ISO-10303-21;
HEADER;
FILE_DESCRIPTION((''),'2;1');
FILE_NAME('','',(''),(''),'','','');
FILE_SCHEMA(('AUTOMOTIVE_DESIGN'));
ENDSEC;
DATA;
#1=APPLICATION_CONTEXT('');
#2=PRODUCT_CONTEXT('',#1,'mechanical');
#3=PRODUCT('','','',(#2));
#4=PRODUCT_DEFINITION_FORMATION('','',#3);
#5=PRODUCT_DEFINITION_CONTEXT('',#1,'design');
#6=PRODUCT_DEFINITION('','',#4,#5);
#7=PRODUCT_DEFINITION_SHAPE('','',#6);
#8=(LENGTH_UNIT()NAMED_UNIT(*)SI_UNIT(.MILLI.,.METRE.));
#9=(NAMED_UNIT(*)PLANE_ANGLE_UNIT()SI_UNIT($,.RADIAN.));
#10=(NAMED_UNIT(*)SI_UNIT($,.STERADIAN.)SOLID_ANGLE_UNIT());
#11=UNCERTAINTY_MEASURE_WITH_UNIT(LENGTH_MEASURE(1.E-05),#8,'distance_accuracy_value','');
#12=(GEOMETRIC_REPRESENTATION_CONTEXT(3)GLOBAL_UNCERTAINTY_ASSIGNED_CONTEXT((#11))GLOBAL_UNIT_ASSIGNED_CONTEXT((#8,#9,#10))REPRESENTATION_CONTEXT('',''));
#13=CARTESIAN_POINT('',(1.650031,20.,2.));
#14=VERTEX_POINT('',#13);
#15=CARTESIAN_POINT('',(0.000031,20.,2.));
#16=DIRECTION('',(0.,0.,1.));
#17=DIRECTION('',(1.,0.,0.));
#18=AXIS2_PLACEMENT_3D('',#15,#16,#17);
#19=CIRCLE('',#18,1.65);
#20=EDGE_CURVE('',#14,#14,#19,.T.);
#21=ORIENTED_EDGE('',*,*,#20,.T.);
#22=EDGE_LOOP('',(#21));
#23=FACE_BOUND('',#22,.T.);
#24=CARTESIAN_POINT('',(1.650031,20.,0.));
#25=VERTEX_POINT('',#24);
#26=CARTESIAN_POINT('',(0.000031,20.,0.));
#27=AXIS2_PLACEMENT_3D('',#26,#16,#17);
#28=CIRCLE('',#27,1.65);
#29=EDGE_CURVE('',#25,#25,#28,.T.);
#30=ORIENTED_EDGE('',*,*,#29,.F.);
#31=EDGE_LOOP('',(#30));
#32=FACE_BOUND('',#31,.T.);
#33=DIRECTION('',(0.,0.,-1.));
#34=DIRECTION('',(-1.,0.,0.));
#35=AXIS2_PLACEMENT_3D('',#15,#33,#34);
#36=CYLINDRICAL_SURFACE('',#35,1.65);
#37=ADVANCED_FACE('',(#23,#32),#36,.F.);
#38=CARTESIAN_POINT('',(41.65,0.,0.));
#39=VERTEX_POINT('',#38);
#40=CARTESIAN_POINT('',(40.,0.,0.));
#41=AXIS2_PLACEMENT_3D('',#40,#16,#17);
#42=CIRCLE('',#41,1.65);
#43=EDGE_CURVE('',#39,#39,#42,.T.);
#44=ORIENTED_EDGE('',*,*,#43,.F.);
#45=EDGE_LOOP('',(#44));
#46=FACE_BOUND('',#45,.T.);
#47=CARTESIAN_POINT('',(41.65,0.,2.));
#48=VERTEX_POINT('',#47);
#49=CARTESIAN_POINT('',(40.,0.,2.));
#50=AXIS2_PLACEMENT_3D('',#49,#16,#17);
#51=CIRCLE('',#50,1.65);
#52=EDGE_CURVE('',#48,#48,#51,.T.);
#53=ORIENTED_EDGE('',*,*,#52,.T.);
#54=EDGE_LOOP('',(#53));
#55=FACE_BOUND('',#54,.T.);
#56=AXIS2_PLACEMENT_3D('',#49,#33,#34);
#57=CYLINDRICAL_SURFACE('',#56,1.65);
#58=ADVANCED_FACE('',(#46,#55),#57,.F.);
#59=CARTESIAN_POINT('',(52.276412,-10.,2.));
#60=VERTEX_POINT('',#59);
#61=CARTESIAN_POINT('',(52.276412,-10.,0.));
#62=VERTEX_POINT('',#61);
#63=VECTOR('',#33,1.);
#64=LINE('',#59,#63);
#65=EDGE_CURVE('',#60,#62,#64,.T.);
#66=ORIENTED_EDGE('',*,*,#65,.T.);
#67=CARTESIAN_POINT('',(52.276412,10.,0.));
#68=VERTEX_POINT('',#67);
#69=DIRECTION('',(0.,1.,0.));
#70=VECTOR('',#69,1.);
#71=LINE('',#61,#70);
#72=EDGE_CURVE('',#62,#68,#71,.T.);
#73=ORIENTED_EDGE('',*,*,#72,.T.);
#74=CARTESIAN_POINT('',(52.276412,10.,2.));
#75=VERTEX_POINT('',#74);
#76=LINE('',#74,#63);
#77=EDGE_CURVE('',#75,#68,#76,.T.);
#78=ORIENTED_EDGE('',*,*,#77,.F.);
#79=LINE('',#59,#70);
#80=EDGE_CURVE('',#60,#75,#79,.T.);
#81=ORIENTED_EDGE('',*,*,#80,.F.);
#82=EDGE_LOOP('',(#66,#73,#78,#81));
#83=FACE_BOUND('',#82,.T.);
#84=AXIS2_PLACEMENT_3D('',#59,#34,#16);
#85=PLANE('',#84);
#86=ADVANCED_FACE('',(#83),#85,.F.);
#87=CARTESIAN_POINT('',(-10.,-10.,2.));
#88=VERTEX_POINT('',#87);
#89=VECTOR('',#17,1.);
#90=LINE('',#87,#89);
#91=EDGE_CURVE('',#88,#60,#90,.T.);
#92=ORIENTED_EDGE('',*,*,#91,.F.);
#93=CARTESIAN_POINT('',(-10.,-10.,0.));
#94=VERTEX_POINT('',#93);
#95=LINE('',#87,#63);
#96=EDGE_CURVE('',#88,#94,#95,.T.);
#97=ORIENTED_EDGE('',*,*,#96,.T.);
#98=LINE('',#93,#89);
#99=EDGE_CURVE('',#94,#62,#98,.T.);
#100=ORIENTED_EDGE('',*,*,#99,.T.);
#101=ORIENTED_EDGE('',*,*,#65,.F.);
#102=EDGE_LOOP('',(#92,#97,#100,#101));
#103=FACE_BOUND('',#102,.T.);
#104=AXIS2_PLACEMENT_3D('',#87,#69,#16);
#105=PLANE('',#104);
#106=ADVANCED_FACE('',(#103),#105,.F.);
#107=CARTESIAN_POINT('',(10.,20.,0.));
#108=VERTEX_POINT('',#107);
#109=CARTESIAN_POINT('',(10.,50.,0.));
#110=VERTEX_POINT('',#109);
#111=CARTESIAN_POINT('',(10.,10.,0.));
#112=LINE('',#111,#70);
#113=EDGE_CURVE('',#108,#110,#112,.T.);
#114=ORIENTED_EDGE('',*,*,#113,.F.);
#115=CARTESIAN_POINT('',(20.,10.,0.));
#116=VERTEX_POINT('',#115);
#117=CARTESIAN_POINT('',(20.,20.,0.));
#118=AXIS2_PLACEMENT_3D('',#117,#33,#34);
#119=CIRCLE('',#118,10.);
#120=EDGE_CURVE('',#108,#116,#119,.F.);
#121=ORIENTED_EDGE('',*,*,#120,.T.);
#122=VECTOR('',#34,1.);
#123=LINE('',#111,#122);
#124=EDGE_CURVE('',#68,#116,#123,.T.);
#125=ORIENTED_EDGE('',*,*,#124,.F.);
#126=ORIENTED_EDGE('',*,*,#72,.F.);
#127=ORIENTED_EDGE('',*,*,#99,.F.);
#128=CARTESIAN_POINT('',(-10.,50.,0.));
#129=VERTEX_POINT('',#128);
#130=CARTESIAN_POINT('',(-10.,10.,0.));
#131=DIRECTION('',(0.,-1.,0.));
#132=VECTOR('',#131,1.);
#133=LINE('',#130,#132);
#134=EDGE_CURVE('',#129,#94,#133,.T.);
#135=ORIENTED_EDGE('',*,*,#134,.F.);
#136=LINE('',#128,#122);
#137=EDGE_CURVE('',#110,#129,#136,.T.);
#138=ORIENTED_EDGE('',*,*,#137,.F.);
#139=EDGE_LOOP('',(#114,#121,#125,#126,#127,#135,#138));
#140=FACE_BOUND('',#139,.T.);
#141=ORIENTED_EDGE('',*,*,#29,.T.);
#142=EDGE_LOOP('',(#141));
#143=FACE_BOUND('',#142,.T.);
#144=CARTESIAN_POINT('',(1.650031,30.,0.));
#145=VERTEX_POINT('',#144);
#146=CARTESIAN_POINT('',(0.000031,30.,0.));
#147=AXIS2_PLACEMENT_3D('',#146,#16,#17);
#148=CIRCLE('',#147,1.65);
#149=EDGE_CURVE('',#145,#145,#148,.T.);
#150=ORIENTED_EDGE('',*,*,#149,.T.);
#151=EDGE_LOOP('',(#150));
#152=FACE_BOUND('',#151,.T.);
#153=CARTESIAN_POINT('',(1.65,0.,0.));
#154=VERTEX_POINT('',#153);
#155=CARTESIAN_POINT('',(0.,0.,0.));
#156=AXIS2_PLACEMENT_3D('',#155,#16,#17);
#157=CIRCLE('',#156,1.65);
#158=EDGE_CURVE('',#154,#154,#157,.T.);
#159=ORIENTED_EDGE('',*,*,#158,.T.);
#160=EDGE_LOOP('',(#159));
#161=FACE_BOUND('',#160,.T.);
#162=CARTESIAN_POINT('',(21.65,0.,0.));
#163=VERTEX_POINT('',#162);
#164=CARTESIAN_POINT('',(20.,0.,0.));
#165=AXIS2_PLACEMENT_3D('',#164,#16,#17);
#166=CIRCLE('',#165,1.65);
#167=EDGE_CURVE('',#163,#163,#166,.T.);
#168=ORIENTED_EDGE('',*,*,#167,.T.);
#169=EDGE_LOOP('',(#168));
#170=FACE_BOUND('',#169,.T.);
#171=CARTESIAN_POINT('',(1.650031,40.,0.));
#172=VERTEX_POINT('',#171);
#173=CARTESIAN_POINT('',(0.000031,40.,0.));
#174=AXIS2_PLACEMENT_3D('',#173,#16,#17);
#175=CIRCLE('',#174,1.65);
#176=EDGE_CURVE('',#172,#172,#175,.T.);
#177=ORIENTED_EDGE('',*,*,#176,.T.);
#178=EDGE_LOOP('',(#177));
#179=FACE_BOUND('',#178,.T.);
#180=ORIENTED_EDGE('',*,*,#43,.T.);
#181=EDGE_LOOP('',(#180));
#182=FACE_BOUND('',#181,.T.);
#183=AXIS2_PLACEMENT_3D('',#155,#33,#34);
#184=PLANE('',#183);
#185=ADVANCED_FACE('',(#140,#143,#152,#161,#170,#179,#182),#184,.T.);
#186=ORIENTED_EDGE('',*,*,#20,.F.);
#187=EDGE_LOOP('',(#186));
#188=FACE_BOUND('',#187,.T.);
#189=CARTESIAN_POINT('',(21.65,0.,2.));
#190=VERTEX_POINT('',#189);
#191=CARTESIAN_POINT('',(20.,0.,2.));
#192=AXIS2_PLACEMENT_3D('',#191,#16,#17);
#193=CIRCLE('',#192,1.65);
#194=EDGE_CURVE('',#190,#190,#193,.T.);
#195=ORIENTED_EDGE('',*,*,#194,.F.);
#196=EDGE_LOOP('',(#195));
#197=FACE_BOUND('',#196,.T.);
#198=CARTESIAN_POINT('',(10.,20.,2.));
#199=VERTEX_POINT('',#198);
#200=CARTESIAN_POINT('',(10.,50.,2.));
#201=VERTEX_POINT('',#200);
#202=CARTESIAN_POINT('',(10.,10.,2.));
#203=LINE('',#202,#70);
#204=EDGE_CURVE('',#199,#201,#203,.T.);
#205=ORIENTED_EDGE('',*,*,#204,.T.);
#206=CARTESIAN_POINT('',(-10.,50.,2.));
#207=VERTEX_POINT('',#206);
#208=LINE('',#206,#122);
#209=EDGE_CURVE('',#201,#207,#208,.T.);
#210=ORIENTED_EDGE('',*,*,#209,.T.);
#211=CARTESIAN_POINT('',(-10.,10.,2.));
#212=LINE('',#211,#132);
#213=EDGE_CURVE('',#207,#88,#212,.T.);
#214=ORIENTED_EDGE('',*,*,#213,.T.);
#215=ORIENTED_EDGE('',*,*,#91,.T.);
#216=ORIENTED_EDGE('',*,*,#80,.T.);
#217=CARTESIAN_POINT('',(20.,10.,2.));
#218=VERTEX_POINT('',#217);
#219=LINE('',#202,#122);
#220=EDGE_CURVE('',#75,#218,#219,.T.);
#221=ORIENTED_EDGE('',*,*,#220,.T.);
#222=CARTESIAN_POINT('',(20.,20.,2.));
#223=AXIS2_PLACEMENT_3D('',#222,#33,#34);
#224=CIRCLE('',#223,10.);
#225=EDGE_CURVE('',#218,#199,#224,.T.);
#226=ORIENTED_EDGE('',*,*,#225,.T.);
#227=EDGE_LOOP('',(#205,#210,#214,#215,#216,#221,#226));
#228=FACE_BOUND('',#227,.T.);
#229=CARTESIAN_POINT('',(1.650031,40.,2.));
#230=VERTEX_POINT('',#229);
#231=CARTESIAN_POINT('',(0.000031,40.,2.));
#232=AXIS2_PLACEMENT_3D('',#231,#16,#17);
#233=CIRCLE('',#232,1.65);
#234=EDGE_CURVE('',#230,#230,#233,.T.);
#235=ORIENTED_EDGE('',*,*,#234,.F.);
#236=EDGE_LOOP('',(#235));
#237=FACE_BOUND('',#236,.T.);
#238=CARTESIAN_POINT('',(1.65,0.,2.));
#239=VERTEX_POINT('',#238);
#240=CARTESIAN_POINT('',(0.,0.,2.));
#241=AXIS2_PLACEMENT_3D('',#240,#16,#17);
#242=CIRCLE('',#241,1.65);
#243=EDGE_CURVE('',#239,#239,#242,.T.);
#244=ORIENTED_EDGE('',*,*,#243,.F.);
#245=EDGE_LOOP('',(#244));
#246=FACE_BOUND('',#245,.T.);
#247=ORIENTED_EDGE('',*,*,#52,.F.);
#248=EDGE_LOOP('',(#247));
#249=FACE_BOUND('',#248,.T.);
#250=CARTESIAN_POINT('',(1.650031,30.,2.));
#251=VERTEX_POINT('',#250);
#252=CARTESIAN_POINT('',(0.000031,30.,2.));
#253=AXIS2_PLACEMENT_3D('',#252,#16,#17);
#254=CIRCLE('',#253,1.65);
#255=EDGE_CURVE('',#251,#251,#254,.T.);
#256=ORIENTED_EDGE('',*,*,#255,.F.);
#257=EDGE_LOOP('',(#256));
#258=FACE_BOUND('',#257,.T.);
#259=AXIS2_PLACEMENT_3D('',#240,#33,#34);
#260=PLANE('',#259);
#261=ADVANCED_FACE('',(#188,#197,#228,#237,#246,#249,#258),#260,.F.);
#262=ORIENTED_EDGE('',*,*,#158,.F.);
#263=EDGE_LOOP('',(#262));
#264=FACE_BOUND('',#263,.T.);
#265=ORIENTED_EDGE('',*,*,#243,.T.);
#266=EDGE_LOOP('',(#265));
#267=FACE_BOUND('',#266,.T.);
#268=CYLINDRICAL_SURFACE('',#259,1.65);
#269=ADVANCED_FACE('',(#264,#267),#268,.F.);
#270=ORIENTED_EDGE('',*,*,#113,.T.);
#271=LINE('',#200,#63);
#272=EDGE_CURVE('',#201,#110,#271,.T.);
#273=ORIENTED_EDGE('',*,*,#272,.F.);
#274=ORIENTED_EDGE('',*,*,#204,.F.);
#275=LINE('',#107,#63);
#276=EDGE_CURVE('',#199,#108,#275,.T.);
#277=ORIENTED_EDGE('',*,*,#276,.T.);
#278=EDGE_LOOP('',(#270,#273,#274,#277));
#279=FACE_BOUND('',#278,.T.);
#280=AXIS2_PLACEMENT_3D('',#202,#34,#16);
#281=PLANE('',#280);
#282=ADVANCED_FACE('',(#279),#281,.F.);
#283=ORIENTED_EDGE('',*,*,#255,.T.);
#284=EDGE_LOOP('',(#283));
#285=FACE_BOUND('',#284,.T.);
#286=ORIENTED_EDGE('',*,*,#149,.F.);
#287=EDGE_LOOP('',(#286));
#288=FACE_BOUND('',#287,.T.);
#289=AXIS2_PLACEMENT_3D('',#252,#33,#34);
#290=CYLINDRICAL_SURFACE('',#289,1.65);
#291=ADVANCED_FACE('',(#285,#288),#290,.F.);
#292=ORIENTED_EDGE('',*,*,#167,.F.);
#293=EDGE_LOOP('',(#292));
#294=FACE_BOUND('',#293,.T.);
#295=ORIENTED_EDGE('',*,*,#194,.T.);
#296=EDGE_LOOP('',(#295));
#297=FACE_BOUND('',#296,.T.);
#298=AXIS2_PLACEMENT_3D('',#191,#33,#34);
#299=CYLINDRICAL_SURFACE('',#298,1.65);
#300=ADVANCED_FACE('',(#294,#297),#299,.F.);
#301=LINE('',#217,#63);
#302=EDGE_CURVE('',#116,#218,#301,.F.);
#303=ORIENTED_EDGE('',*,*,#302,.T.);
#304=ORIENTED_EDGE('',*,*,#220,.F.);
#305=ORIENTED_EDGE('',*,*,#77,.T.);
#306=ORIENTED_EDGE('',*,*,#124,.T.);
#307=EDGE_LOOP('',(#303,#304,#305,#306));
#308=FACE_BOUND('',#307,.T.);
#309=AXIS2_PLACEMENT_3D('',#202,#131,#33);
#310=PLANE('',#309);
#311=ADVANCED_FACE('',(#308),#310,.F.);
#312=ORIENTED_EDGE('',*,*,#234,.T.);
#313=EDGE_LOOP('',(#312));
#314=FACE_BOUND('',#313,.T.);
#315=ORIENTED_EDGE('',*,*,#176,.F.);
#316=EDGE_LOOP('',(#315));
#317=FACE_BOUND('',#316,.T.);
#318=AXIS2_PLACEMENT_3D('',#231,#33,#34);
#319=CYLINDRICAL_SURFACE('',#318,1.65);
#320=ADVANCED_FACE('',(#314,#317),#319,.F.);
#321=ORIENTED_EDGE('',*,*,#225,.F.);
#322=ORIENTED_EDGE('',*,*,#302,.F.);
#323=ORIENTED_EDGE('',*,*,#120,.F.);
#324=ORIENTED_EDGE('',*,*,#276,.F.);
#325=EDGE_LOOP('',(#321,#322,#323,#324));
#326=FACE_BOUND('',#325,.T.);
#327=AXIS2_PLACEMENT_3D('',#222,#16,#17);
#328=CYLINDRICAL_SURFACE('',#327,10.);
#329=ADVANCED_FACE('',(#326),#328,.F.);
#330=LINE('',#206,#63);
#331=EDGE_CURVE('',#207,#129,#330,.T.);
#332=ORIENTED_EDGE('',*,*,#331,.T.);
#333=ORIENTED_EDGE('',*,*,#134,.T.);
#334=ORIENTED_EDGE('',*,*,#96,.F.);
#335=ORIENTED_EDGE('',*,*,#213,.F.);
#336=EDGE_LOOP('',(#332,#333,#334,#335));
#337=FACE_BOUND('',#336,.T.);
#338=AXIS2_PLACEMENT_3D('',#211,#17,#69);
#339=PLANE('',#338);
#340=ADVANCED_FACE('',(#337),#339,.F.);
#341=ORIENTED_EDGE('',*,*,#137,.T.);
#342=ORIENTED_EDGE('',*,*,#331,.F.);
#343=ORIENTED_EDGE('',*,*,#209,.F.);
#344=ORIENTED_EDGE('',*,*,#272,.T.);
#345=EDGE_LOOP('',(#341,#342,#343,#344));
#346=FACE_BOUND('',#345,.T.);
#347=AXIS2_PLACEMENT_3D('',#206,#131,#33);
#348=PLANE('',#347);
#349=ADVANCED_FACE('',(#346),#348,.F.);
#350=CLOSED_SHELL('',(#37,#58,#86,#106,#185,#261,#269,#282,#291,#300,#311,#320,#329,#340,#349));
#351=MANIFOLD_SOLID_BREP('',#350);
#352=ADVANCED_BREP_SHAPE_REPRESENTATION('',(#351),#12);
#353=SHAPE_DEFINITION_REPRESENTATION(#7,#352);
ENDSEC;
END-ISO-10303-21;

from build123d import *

# Parameters (mm, degrees)
SKETCH_1_R      = 1.65
EXTRUDE_1_DEPTH = 2
FILLET_1_R      = 10


with BuildPart() as part:
    # 草图1 → 凸台-拉伸1 (new body)
    with BuildSketch(Plane.XY):
        Polygon((10, 10), (52.276412277, 10), (52.276412277, -10), (-10, -10), (-10, 10), (-10, 50), (10, 50), align=None)
        with Locations((20, 0)):
            Circle(SKETCH_1_R, mode=Mode.SUBTRACT)
        with Locations((3.0503e-05, 20)):
            Circle(SKETCH_1_R, mode=Mode.SUBTRACT)
        with Locations((3.0503e-05, 40)):
            Circle(SKETCH_1_R, mode=Mode.SUBTRACT)
        with Locations((3.0503e-05, 30)):
            Circle(SKETCH_1_R, mode=Mode.SUBTRACT)
        Circle(SKETCH_1_R, mode=Mode.SUBTRACT)
        with Locations((40, 0)):
            Circle(SKETCH_1_R, mode=Mode.SUBTRACT)
    extrude(amount=EXTRUDE_1_DEPTH)

    # 圆角1
    fillet_1_edges = [part.edges().sort_by_distance(p)[0] for p in [
        (10, 10, 1),
    ]]
    fillet(fillet_1_edges, radius=FILLET_1_R)


solid = part.part
